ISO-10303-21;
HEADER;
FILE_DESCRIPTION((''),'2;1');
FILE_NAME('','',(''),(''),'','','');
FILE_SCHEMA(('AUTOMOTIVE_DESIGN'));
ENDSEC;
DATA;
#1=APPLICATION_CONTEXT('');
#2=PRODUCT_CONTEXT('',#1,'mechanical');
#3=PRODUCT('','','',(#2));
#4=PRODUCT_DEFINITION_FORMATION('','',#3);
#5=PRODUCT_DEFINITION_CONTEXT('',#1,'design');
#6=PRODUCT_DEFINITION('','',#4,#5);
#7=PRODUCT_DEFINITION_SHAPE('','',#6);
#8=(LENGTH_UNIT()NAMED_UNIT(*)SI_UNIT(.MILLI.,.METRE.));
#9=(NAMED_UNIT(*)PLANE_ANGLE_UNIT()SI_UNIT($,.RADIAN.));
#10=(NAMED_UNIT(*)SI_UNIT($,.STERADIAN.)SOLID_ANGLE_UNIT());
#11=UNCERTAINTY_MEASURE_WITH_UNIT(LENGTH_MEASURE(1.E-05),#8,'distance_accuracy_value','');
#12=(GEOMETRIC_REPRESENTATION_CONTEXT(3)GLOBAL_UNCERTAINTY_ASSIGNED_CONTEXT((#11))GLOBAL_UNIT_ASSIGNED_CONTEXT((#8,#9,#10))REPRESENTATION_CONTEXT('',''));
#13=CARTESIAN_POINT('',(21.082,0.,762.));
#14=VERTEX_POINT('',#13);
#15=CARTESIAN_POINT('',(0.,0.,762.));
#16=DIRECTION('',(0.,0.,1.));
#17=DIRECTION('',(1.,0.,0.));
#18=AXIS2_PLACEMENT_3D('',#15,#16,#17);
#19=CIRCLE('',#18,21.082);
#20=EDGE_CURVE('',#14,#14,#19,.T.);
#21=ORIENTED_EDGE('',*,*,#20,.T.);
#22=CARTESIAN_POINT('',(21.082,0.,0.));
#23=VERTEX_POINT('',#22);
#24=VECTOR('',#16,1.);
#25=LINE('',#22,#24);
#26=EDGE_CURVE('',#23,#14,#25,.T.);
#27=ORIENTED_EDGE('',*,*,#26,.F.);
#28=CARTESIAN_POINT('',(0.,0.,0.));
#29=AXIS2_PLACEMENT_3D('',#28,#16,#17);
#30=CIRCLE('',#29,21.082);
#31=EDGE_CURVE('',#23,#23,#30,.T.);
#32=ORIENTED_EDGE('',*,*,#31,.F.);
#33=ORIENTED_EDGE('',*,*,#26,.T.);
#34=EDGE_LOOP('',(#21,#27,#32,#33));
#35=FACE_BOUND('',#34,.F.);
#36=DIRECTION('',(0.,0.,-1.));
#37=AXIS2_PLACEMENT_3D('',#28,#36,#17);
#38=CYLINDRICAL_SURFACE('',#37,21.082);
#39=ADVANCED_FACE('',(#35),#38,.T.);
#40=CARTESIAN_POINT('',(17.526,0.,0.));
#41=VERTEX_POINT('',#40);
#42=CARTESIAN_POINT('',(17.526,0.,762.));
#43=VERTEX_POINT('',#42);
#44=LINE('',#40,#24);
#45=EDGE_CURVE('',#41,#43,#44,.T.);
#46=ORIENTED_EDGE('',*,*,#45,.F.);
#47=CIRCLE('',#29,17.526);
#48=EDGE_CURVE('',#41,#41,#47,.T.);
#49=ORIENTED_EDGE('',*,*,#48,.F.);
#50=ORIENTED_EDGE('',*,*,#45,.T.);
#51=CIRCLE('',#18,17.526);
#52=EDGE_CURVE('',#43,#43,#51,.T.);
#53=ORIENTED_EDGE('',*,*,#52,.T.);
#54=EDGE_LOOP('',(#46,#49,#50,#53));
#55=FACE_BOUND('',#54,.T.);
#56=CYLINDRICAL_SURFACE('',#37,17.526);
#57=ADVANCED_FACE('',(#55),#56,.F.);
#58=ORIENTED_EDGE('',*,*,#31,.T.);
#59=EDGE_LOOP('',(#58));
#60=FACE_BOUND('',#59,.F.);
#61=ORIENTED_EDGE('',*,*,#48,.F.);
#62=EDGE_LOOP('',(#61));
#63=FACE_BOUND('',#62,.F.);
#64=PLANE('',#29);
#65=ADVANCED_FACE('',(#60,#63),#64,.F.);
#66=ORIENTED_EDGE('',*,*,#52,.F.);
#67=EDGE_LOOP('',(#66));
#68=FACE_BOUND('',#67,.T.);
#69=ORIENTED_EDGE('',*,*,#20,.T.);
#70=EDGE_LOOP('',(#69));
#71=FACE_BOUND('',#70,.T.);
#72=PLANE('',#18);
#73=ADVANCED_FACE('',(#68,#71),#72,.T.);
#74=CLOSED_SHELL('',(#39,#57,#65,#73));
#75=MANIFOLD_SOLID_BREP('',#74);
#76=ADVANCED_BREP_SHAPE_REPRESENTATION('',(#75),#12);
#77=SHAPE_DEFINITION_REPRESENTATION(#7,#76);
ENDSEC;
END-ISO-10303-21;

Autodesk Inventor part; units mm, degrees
ref_plane "YZ Plane" through (0, 0, 0) normal (1, 0, 0) x (0, 1, 0)
ref_plane "Start plane" through (0, 0, 0) normal (0, 0, 1) x (1, 0, 0)
ref_plane "End plane" through (0, 0, 762) normal (0, 0, 1) x (1, 0, 0)
sketch "Sketch" plane through (0, 0, 0) normal (0, 0, 1) x (1, 0, 0)
  circle A0 centre (0, 0) radius 17.526
  circle A1 centre (0, 0) radius 21.082
  dimension "d0" = 42.164
  dimension "d1" = 3.556
extrude "Body" add sketch "Sketch" along normal up to surface (762 mm away) from surface at 0
sketch "Sketch3" plane through (0, 0, 0) normal (0, 0, 1) x (1, 0, 0)
  line L0 (0, 0) -> (10, 0)
ref_plane "Work Plane3" through (0, 0, 0) normal (0, -1, 0) x (1, 0, 0)
sketch "Sketch4" plane through (0, 0, 0) normal (0, -1, 0) x (1, 0, 0)
  line L0 (-2, 0) -> (12, 0)
  line L1 (-2, 762) -> (12, 762)
  dimension "d7" = 762
equation "\"d0\" = G_H"
equation "\"d1\" = G_T"
equation "\"d2\" = G_L"
equation "\"G_H\" = 42.164"
equation "\"G_T\" = 3.556"
equation "\"G_L\" = d7"
equation "\"G_OFFSET_START\" = 0"
equation "\"G_OFFSET_END\" = 0"
equation "\"d5\" = G_OFFSET_END + B_L"
equation "\"B_L\" = 762"
properties part number "ANSI - 1 1/4 x 0.140 - 30" material "Aluminum 6061"
